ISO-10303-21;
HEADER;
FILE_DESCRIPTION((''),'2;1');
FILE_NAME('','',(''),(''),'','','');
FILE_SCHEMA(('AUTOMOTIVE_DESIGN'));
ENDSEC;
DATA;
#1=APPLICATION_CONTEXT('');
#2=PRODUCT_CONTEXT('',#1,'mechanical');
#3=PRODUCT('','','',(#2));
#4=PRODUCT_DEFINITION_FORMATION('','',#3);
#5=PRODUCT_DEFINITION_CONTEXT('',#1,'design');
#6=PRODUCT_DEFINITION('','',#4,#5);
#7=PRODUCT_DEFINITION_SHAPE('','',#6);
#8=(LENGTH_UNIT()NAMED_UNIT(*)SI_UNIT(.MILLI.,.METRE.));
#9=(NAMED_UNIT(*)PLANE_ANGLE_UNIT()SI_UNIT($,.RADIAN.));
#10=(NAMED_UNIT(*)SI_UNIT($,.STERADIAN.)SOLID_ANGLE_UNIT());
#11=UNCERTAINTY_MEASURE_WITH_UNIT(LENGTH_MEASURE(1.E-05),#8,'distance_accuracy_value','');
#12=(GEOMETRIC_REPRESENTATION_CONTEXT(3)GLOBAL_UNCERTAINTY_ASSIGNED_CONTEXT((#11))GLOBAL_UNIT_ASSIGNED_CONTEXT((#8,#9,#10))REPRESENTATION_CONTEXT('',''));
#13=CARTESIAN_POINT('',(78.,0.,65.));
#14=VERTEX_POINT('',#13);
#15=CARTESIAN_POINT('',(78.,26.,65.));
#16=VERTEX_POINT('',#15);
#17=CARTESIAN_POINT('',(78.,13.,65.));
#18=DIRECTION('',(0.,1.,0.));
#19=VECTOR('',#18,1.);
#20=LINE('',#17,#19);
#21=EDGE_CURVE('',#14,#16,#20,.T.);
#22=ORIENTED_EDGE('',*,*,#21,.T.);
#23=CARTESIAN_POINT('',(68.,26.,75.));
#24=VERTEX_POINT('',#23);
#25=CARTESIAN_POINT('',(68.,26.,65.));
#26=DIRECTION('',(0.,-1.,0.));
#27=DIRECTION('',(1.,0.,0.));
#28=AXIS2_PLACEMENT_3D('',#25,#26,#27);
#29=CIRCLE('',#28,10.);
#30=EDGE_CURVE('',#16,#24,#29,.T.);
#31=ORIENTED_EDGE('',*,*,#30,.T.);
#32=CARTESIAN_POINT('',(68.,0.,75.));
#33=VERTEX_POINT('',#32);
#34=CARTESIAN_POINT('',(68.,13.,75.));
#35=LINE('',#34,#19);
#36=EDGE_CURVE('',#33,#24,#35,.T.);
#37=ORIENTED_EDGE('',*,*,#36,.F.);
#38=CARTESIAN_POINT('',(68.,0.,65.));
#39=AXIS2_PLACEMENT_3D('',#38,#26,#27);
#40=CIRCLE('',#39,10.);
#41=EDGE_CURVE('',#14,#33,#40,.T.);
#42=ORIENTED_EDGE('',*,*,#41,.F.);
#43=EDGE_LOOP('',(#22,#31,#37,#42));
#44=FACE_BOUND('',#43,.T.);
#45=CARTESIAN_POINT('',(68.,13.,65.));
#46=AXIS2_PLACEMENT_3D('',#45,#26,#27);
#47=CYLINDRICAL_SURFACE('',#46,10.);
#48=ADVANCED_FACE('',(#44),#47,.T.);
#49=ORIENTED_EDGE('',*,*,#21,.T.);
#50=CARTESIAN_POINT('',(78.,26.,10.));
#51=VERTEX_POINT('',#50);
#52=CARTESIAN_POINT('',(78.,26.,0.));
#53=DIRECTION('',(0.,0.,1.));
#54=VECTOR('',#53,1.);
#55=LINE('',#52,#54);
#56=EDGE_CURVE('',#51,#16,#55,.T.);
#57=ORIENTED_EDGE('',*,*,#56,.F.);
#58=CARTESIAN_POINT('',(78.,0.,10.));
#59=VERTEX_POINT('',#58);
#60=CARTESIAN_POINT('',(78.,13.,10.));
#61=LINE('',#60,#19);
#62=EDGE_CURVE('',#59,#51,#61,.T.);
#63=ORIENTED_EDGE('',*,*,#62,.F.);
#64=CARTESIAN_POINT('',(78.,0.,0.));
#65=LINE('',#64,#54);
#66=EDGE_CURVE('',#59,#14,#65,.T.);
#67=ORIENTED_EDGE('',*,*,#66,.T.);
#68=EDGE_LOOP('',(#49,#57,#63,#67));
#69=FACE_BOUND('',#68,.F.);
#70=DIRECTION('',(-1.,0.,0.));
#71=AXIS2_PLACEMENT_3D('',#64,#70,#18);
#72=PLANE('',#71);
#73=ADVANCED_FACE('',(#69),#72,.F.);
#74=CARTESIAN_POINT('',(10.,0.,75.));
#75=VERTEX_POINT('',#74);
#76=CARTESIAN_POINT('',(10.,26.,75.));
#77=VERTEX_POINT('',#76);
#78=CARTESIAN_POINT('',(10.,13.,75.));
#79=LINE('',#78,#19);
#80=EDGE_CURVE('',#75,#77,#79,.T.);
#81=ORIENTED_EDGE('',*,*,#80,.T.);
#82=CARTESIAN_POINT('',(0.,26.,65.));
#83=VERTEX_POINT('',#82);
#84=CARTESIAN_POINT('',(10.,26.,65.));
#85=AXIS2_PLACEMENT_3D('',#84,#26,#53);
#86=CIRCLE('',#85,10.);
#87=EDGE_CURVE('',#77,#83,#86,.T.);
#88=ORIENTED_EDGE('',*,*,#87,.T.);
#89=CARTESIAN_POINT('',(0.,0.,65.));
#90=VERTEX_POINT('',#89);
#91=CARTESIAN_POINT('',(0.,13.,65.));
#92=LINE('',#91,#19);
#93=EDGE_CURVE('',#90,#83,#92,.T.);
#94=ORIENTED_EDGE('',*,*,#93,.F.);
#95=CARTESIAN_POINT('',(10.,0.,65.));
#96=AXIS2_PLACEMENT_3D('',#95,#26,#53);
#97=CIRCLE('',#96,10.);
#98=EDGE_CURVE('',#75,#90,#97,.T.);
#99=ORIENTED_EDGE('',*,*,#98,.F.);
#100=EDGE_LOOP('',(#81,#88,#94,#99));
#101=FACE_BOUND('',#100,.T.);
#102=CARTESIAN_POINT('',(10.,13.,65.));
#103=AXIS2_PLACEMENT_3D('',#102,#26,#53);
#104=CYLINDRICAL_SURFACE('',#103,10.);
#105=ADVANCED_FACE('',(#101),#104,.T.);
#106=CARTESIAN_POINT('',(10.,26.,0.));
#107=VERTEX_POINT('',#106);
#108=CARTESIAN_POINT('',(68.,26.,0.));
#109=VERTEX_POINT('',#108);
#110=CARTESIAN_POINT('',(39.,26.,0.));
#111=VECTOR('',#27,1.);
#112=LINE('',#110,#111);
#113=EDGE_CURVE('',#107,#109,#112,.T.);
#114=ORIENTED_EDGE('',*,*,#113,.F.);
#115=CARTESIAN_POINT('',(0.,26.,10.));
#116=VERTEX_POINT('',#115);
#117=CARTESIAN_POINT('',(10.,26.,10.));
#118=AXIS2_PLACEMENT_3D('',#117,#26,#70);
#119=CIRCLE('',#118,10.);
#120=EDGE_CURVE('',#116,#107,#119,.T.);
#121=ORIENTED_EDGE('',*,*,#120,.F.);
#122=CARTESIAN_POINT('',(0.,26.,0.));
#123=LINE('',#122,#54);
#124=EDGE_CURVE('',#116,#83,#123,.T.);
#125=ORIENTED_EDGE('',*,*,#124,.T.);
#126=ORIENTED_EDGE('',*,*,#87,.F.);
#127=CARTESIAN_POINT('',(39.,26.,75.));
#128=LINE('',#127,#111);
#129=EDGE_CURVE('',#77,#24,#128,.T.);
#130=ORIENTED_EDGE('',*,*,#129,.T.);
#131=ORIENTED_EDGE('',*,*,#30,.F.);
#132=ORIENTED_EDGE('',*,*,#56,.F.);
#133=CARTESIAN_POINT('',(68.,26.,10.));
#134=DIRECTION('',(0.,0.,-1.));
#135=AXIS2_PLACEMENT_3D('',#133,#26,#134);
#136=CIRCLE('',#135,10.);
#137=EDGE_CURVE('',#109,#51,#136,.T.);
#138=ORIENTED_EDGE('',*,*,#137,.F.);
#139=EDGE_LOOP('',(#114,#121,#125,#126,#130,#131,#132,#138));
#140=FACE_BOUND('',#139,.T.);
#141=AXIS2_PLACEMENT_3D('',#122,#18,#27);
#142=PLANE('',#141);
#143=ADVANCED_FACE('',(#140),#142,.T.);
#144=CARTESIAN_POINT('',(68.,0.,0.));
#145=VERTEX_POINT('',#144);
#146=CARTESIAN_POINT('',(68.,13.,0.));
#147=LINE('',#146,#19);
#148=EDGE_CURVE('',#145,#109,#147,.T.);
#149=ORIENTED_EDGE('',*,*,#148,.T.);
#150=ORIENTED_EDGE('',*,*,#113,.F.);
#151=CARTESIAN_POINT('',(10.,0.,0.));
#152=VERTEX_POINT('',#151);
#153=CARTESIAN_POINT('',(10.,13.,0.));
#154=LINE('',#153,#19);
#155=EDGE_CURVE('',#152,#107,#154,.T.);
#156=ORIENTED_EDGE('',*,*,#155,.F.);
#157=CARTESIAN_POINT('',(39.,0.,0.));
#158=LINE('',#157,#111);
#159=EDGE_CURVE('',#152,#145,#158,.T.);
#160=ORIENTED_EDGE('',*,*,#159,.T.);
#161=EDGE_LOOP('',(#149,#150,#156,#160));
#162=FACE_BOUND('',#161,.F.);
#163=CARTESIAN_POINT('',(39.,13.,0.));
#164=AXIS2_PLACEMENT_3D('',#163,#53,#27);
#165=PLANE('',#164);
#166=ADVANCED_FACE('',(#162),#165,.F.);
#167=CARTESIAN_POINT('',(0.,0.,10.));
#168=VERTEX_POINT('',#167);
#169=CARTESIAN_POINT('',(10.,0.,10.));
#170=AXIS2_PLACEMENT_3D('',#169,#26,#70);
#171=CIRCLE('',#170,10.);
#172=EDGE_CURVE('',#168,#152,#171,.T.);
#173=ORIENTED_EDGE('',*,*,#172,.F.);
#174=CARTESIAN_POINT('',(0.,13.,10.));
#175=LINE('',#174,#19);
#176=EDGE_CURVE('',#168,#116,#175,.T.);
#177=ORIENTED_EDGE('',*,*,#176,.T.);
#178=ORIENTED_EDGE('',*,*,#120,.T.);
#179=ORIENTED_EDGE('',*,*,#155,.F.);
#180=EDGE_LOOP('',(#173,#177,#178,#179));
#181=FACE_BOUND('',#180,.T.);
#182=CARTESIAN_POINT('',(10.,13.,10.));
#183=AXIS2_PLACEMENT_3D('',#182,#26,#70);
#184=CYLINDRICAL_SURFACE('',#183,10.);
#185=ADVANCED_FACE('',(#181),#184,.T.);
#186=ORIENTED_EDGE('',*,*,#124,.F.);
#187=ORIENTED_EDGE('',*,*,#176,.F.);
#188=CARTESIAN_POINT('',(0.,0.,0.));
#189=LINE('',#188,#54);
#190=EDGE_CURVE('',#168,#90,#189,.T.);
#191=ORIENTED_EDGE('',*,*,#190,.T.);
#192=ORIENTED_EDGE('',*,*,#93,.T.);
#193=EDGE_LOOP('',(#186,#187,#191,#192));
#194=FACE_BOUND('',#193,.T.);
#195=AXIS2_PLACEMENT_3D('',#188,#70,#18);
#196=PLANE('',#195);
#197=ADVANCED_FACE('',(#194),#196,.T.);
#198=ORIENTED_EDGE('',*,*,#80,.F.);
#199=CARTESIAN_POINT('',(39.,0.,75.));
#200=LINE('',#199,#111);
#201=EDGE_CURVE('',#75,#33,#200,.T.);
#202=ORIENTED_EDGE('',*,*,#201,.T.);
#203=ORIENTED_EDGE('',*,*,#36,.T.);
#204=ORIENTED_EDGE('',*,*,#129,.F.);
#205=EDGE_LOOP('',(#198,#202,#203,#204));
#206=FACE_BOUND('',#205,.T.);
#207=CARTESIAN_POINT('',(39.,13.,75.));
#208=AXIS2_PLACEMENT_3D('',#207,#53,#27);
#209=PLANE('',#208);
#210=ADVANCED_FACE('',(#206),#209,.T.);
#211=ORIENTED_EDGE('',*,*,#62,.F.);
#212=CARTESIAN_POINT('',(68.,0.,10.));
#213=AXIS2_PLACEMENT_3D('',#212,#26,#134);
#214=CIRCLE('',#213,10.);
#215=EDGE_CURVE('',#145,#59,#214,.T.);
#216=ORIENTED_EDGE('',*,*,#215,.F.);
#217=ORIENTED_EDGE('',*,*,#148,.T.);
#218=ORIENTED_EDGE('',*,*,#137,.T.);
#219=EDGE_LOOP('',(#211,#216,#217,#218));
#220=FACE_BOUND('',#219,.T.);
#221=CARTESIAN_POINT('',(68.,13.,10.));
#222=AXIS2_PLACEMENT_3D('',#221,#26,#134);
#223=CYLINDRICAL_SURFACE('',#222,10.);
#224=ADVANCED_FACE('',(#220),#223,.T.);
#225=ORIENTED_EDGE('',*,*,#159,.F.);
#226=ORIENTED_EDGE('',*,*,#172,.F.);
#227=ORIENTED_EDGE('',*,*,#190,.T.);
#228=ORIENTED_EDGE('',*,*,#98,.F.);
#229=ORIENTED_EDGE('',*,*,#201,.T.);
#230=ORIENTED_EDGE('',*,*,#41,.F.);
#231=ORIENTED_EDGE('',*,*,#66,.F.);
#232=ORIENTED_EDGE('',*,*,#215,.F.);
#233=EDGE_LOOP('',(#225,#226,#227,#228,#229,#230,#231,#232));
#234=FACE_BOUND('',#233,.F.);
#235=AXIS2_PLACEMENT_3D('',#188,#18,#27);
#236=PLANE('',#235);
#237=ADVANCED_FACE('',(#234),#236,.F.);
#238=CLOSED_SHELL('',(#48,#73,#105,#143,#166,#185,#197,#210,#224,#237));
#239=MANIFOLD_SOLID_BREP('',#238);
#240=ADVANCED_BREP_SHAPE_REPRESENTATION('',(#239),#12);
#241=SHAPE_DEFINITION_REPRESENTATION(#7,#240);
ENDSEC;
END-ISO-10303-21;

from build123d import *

# Parameters (mm, degrees)
CYLINDER005_W          = 10
CYLINDER005_H          = 26
CYLINDER005_ANGLE      = 90
BOX004_W               = 10
BOX004_H               = 26
BOX004_DEPTH           = 10
CUT002_PLACEMENT_ANGLE = 90
CYLINDER006_W          = 10
CYLINDER006_H          = 26
CYLINDER006_ANGLE      = 90
BOX005_W               = 10
BOX005_H               = 26
BOX005_DEPTH           = 10
CUT003_PLACEMENT_ANGLE = 180
CYLINDER007_W          = 10
CYLINDER007_H          = 26
CYLINDER007_ANGLE      = 90
BOX006_W               = 10
BOX006_H               = 26
BOX006_DEPTH           = 10
CUT004_PLACEMENT_ANGLE = 90
CYLINDER004_W          = 10
CYLINDER004_H          = 26
CYLINDER004_ANGLE      = 90
BOX003_W               = 10
BOX003_H               = 26
BOX003_DEPTH           = 10
BOX002_W               = 78
BOX002_H               = 26
BOX002_DEPTH           = 75


with BuildPart() as cylinder005:
    # Cylinder005 → Cylinder005 (revolve)
    with BuildSketch(Plane(origin=(0, 26, 0), x_dir=(1, 0, 0), z_dir=(0, 0, -1))):
        with Locations((5, 13)):
            Rectangle(CYLINDER005_W, CYLINDER005_H)
    revolve(axis=Axis((0, 26, 0), (0, -1, 0)), revolution_arc=CYLINDER005_ANGLE)


with BuildPart() as cut002:
    # Box004 → Box004 (new body)
    with BuildSketch(Plane.XY):
        with Locations((5, 13)):
            Rectangle(BOX004_W, BOX004_H)
    extrude(amount=BOX004_DEPTH)

    # Cut002: cut Cylinder005
    add(cylinder005.part, mode=Mode.SUBTRACT)


with BuildPart() as cut002_1:
    # Cut002 placement: moved
    add(cut002.part.moved(Location((68, 0, 10))).rotate(Axis((68, 0, 10), (0, 1, 0)), CUT002_PLACEMENT_ANGLE))


with BuildPart() as cylinder006:
    # Cylinder006 → Cylinder006 (revolve)
    with BuildSketch(Plane(origin=(0, 26, 0), x_dir=(1, 0, 0), z_dir=(0, 0, -1))):
        with Locations((5, 13)):
            Rectangle(CYLINDER006_W, CYLINDER006_H)
    revolve(axis=Axis((0, 26, 0), (0, -1, 0)), revolution_arc=CYLINDER006_ANGLE)


with BuildPart() as cut003:
    # Box005 → Box005 (new body)
    with BuildSketch(Plane.XY):
        with Locations((5, 13)):
            Rectangle(BOX005_W, BOX005_H)
    extrude(amount=BOX005_DEPTH)

    # Cut003: cut Cylinder006
    add(cylinder006.part, mode=Mode.SUBTRACT)


with BuildPart() as cut003_1:
    # Cut003 placement: moved
    add(cut003.part.moved(Location((10, 0, 10))).rotate(Axis((10, 0, 10), (0, 1, 0)), CUT003_PLACEMENT_ANGLE))


with BuildPart() as cylinder007:
    # Cylinder007 → Cylinder007 (revolve)
    with BuildSketch(Plane(origin=(0, 26, 0), x_dir=(1, 0, 0), z_dir=(0, 0, -1))):
        with Locations((5, 13)):
            Rectangle(CYLINDER007_W, CYLINDER007_H)
    revolve(axis=Axis((0, 26, 0), (0, -1, 0)), revolution_arc=CYLINDER007_ANGLE)


with BuildPart() as cut004:
    # Box006 → Box006 (new body)
    with BuildSketch(Plane.XY):
        with Locations((5, 13)):
            Rectangle(BOX006_W, BOX006_H)
    extrude(amount=BOX006_DEPTH)

    # Cut004: cut Cylinder007
    add(cylinder007.part, mode=Mode.SUBTRACT)


with BuildPart() as cut004_1:
    # Cut004 placement: moved
    add(cut004.part.moved(Location((10, 0, 65))).rotate(Axis((10, 0, 65), (0, -1, 0)), CUT004_PLACEMENT_ANGLE))


with BuildPart() as cylinder004:
    # Cylinder004 → Cylinder004 (revolve)
    with BuildSketch(Plane(origin=(0, 26, 0), x_dir=(1, 0, 0), z_dir=(0, 0, -1))):
        with Locations((5, 13)):
            Rectangle(CYLINDER004_W, CYLINDER004_H)
    revolve(axis=Axis((0, 26, 0), (0, -1, 0)), revolution_arc=CYLINDER004_ANGLE)


with BuildPart() as v25cuts:
    # Box003 → Box003 (new body)
    with BuildSketch(Plane.XY):
        with Locations((5, 13)):
            Rectangle(BOX003_W, BOX003_H)
    extrude(amount=BOX003_DEPTH)

    # Cut001: cut Cylinder004
    add(cylinder004.part, mode=Mode.SUBTRACT)


with BuildPart() as v25cuts_1:
    # Cut001 placement: moved
    add(v25cuts.part.moved(Location((68, 0, 65))))

    # Fusion004: union Cut002, Cut003, Cut004
    add(cut002_1.part)
    add(cut003_1.part)
    add(cut004_1.part)


with BuildPart() as v25b001:
    # Box002 → Box002 (new body)
    with BuildSketch(Plane.XY):
        with Locations((39, 13)):
            Rectangle(BOX002_W, BOX002_H)
    extrude(amount=BOX002_DEPTH)

    # Cut005: cut v25Cuts
    add(v25cuts_1.part, mode=Mode.SUBTRACT)


solid = v25b001.part
